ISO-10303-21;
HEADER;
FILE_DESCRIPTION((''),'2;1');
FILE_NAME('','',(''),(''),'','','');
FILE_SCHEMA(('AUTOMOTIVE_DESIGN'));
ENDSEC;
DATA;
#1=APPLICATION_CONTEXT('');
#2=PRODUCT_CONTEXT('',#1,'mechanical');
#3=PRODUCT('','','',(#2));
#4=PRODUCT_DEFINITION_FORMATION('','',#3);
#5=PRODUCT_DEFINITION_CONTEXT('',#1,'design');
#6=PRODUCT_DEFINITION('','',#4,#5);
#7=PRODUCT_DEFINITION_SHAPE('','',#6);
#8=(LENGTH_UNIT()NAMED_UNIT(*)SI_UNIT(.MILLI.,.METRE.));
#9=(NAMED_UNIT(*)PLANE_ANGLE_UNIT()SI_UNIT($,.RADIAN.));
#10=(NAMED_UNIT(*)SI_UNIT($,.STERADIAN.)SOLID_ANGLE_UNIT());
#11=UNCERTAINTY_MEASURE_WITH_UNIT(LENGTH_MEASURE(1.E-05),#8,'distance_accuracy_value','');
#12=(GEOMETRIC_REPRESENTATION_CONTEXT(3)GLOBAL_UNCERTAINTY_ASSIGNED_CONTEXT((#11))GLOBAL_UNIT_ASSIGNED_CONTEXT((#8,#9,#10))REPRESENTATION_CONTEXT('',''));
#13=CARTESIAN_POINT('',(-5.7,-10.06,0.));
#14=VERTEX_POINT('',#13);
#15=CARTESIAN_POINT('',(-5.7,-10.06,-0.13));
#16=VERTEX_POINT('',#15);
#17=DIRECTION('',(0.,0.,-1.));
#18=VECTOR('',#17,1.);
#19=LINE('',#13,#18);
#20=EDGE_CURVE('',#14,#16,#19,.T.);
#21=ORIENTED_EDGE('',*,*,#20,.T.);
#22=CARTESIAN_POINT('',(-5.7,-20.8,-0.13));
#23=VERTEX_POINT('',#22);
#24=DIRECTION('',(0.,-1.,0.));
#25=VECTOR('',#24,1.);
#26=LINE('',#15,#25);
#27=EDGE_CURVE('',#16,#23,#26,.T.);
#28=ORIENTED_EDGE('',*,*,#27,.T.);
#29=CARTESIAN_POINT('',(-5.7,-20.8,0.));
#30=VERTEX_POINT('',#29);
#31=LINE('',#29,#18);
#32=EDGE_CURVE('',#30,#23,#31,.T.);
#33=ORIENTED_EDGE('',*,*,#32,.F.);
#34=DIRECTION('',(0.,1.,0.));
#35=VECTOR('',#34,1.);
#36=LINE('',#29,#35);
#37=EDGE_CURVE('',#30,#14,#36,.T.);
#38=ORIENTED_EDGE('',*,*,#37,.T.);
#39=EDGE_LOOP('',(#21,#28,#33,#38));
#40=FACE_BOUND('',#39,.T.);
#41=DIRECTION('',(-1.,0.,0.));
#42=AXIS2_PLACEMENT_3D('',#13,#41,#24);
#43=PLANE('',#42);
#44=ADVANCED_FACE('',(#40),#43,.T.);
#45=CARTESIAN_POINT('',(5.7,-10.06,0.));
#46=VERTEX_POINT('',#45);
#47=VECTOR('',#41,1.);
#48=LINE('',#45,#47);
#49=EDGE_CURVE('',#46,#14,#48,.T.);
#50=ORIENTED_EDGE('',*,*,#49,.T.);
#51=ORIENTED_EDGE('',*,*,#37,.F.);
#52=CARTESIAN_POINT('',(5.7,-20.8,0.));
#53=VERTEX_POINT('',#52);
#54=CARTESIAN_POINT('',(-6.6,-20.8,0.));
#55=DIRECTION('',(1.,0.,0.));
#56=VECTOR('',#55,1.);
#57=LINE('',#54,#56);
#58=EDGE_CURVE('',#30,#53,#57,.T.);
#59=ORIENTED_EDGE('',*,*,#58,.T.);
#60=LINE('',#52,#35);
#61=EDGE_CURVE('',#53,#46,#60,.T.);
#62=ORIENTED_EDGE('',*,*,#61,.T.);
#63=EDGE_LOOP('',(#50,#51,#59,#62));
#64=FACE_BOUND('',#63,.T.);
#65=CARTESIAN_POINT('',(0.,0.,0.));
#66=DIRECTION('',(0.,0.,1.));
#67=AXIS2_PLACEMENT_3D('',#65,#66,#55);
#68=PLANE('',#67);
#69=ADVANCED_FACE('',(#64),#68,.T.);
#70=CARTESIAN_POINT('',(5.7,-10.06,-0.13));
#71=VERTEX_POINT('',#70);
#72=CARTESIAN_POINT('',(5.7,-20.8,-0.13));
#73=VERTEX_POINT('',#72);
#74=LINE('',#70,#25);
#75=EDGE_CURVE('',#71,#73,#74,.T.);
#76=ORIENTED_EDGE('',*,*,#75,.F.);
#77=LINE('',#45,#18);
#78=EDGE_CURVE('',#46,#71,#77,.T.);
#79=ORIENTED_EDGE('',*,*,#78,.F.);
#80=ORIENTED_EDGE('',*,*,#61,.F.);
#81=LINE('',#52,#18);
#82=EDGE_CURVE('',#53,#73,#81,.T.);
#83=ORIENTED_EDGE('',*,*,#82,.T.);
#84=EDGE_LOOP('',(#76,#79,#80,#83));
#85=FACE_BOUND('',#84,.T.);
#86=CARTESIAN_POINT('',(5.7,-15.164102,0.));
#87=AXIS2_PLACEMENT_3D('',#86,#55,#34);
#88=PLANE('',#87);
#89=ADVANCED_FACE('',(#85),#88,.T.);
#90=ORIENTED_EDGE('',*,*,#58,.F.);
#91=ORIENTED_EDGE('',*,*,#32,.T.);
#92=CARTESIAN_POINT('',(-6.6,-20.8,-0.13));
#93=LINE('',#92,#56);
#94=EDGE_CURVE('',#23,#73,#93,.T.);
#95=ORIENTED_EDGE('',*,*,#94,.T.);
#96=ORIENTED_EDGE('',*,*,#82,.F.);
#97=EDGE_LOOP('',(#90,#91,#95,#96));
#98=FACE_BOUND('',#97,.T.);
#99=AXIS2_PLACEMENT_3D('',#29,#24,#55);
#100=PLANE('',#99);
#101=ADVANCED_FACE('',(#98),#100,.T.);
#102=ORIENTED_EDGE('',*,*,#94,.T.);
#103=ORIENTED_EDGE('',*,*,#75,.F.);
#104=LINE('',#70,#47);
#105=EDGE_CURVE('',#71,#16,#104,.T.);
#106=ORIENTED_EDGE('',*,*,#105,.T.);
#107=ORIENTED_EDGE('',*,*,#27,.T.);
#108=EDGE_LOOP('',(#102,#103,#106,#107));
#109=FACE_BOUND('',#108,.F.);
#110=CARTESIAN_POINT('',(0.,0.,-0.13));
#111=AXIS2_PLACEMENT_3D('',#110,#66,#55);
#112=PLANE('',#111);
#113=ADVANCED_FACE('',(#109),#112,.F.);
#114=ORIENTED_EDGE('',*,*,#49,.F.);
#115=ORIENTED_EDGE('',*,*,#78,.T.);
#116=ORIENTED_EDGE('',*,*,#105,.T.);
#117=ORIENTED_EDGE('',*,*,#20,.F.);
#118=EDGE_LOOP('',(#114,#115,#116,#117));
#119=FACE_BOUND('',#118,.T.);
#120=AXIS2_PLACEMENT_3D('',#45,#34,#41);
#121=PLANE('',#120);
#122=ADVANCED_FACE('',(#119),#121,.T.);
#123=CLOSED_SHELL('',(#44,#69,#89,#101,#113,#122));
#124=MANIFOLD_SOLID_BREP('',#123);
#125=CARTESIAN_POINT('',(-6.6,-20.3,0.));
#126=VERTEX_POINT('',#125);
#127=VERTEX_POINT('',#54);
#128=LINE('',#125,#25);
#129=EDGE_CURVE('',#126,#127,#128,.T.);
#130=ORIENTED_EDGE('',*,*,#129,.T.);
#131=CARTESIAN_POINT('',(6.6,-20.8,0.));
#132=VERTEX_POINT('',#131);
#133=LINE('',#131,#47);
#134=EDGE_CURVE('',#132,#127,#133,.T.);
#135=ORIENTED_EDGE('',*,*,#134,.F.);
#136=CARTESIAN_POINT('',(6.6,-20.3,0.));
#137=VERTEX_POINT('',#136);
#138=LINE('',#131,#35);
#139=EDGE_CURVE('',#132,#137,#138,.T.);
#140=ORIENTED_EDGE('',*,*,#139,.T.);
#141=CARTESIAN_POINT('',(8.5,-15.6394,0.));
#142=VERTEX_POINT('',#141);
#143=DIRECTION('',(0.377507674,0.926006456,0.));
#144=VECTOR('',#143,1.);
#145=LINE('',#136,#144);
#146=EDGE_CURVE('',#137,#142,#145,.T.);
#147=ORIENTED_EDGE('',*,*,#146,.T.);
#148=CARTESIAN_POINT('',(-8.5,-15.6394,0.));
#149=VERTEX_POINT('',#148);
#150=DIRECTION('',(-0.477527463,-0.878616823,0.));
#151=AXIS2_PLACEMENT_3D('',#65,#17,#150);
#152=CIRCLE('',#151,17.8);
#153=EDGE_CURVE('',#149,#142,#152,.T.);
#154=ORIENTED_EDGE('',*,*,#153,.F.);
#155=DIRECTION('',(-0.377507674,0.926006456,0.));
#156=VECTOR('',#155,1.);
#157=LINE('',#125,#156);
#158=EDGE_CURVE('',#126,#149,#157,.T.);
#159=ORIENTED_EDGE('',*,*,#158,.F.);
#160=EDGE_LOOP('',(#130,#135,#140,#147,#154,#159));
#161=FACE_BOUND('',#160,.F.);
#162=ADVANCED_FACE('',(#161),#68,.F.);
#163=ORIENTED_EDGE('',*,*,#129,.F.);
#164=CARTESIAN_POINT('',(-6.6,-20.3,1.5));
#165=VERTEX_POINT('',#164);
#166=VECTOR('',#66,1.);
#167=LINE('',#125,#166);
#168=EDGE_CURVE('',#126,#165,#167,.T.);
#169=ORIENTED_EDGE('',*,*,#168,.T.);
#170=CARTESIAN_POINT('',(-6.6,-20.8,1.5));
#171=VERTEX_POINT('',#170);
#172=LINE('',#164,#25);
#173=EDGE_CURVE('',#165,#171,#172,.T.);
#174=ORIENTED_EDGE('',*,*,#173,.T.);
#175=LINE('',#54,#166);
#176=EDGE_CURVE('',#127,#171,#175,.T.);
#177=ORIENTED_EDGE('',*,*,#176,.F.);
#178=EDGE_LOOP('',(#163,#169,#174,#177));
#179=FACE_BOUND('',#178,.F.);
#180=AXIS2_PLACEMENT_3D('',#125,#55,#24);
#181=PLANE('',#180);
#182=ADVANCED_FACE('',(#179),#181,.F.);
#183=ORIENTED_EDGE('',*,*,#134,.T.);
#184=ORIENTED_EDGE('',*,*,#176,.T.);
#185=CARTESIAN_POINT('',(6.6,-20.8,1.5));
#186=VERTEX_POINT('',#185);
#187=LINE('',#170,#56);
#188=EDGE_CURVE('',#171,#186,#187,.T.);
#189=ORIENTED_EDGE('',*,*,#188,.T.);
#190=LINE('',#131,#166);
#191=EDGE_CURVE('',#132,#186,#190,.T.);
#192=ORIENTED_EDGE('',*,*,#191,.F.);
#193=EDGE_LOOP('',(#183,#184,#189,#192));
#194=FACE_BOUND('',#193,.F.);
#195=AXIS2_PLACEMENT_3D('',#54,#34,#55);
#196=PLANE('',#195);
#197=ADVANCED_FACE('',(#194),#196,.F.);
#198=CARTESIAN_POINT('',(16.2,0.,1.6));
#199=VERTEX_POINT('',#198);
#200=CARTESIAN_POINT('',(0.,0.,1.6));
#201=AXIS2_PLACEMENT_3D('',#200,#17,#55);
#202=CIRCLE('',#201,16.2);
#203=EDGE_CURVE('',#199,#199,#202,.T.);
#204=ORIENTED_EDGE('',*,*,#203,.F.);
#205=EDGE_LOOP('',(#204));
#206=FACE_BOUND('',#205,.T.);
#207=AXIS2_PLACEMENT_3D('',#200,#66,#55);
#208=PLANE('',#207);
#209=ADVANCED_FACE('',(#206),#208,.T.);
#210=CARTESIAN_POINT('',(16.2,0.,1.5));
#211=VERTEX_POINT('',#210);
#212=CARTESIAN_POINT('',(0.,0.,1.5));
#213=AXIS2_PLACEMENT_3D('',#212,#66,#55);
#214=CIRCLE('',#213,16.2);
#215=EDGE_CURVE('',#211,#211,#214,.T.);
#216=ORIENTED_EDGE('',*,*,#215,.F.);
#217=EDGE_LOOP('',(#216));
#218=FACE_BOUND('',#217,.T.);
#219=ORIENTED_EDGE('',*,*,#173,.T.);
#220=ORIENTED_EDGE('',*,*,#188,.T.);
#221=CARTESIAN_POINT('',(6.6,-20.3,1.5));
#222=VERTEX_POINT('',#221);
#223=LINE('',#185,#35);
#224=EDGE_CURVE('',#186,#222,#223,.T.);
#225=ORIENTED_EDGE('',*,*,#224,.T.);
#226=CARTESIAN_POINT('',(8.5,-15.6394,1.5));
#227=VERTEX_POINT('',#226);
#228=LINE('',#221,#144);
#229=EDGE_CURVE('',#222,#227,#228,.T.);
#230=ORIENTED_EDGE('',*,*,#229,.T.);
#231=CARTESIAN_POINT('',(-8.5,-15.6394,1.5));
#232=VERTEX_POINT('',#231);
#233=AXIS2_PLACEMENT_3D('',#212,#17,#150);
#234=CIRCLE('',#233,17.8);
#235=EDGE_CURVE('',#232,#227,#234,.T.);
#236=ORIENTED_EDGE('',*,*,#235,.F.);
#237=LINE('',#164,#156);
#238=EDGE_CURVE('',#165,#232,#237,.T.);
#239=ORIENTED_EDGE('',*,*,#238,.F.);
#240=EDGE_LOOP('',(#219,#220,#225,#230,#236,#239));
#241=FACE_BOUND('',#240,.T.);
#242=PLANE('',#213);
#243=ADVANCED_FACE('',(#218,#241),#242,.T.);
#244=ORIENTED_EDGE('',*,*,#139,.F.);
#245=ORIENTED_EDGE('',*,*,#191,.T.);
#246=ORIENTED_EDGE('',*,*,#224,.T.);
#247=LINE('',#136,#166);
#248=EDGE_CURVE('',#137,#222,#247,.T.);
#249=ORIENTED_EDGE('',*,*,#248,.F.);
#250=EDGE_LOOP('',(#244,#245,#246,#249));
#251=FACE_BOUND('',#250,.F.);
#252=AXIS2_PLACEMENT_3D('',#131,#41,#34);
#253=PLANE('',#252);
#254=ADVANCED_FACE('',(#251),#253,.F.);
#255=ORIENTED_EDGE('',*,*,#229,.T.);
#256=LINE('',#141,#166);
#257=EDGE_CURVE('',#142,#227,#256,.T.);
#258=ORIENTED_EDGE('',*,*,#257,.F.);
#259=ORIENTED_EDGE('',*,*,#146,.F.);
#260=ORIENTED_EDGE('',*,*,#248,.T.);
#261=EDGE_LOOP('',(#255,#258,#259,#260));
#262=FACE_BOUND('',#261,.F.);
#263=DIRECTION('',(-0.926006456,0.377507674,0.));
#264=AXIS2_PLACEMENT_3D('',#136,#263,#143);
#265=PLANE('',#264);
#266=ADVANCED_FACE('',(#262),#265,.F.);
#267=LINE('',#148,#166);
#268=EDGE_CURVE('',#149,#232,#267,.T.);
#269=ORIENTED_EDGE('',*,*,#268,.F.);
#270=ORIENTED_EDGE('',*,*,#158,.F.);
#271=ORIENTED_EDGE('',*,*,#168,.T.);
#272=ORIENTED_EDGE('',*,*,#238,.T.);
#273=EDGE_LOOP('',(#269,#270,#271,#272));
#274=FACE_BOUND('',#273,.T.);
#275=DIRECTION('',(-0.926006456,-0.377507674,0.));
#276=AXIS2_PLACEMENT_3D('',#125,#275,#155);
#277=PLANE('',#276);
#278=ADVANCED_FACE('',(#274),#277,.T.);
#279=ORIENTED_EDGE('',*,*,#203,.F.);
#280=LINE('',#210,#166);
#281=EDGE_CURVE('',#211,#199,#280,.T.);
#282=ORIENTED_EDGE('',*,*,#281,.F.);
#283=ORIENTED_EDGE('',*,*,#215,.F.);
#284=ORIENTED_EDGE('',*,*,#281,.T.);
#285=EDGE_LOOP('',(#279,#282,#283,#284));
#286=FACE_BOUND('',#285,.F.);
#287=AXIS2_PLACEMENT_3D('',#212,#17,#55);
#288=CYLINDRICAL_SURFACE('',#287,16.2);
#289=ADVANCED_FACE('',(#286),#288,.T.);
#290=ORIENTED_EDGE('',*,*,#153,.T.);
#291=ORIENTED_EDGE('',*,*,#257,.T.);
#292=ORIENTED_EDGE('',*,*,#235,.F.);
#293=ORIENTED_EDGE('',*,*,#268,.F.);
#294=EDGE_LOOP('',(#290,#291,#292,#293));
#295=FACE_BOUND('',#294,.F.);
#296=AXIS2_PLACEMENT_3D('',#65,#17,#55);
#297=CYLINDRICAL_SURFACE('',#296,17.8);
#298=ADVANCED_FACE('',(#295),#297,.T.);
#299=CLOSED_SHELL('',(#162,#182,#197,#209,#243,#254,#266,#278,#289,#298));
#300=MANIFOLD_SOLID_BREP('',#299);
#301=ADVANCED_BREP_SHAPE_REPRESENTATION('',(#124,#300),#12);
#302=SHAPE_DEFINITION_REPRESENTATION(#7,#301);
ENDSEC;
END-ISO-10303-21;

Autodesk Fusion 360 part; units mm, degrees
sketch "Sketch1" plane through (0, 0, 0) normal (0, 0, 1) x (1, 0, 0)
  circle A0 centre (0, 0) radius 16.2
  circle A1 centre (0, 0) radius 17.37 construction
  circle A2 centre (0, 0) radius 17.6 construction
  circle A3 centre (0, 0) radius 17.8
  line L0 (0, 0) -> (0, -34.4204) construction
  line L1 (-6.6, -20.3) -> (6.6, -20.3)
  line L2 (8.5, -15.6394) -> (-8.5, -15.6394) construction
  line L3 (6.6, -20.3) -> (8.5, -15.6394)
  line L4 (-6.6, -20.3) -> (-8.5, -15.6394)
  line L5 (-6.6, -20.3) -> (-6.6, -20.8)
  line L6 (-6.6, -20.8) -> (6.6, -20.8)
  line L7 (6.6, -20.8) -> (6.6, -20.3)
  circle A4 centre (0, 0) radius 22.5 construction
  line L8 (-5.7, -20.8) -> (5.7, -20.8)
  line L9 (5.7, -20.8) -> (5.7, -10.06)
  line L10 (5.7, -10.06) -> (-5.7, -10.06)
  line L11 (-5.7, -10.06) -> (-5.7, -20.8)
  point P0 (0, -20.3)
  dimension "d1" = 32.4
  dimension "d2" = 34.74
  dimension "d3" = 35.2
  dimension "d4" = 35.6
  dimension "d5" = 13.2
  dimension "d6" = 20.3
  dimension "d7" = 17
  dimension "d8" = 0.5
  dimension "d9" = 21.822
  dimension "d10" = 45
  dimension "d11" = 0.678
  dimension "d24" = 11.4
  dimension "d25" = 10.24
extrude "Extrude2" add sketch "Sketch1" along normal blind 1.5 makes body 1
extrude "Extrude4" add sketch "Sketch1" along normal blind 0.1 from surface at 1.5 contours A0 L9 L10 L11 | A0 L9 L10 L11 bodies 1
extrude "Extrude5" add sketch "Sketch1" against normal blind 0.13 separate body contours A0 L9 L10 L11 | A0 A3 L9 L11 | A3 L1 L9 L11 | L1 L6 L8 L9 L11 picked at (0.388, -12.0927) picked at (-4.9559, -15.9504) makes body 2
equation "d6 = 38.1 mm - d4 / 2"
